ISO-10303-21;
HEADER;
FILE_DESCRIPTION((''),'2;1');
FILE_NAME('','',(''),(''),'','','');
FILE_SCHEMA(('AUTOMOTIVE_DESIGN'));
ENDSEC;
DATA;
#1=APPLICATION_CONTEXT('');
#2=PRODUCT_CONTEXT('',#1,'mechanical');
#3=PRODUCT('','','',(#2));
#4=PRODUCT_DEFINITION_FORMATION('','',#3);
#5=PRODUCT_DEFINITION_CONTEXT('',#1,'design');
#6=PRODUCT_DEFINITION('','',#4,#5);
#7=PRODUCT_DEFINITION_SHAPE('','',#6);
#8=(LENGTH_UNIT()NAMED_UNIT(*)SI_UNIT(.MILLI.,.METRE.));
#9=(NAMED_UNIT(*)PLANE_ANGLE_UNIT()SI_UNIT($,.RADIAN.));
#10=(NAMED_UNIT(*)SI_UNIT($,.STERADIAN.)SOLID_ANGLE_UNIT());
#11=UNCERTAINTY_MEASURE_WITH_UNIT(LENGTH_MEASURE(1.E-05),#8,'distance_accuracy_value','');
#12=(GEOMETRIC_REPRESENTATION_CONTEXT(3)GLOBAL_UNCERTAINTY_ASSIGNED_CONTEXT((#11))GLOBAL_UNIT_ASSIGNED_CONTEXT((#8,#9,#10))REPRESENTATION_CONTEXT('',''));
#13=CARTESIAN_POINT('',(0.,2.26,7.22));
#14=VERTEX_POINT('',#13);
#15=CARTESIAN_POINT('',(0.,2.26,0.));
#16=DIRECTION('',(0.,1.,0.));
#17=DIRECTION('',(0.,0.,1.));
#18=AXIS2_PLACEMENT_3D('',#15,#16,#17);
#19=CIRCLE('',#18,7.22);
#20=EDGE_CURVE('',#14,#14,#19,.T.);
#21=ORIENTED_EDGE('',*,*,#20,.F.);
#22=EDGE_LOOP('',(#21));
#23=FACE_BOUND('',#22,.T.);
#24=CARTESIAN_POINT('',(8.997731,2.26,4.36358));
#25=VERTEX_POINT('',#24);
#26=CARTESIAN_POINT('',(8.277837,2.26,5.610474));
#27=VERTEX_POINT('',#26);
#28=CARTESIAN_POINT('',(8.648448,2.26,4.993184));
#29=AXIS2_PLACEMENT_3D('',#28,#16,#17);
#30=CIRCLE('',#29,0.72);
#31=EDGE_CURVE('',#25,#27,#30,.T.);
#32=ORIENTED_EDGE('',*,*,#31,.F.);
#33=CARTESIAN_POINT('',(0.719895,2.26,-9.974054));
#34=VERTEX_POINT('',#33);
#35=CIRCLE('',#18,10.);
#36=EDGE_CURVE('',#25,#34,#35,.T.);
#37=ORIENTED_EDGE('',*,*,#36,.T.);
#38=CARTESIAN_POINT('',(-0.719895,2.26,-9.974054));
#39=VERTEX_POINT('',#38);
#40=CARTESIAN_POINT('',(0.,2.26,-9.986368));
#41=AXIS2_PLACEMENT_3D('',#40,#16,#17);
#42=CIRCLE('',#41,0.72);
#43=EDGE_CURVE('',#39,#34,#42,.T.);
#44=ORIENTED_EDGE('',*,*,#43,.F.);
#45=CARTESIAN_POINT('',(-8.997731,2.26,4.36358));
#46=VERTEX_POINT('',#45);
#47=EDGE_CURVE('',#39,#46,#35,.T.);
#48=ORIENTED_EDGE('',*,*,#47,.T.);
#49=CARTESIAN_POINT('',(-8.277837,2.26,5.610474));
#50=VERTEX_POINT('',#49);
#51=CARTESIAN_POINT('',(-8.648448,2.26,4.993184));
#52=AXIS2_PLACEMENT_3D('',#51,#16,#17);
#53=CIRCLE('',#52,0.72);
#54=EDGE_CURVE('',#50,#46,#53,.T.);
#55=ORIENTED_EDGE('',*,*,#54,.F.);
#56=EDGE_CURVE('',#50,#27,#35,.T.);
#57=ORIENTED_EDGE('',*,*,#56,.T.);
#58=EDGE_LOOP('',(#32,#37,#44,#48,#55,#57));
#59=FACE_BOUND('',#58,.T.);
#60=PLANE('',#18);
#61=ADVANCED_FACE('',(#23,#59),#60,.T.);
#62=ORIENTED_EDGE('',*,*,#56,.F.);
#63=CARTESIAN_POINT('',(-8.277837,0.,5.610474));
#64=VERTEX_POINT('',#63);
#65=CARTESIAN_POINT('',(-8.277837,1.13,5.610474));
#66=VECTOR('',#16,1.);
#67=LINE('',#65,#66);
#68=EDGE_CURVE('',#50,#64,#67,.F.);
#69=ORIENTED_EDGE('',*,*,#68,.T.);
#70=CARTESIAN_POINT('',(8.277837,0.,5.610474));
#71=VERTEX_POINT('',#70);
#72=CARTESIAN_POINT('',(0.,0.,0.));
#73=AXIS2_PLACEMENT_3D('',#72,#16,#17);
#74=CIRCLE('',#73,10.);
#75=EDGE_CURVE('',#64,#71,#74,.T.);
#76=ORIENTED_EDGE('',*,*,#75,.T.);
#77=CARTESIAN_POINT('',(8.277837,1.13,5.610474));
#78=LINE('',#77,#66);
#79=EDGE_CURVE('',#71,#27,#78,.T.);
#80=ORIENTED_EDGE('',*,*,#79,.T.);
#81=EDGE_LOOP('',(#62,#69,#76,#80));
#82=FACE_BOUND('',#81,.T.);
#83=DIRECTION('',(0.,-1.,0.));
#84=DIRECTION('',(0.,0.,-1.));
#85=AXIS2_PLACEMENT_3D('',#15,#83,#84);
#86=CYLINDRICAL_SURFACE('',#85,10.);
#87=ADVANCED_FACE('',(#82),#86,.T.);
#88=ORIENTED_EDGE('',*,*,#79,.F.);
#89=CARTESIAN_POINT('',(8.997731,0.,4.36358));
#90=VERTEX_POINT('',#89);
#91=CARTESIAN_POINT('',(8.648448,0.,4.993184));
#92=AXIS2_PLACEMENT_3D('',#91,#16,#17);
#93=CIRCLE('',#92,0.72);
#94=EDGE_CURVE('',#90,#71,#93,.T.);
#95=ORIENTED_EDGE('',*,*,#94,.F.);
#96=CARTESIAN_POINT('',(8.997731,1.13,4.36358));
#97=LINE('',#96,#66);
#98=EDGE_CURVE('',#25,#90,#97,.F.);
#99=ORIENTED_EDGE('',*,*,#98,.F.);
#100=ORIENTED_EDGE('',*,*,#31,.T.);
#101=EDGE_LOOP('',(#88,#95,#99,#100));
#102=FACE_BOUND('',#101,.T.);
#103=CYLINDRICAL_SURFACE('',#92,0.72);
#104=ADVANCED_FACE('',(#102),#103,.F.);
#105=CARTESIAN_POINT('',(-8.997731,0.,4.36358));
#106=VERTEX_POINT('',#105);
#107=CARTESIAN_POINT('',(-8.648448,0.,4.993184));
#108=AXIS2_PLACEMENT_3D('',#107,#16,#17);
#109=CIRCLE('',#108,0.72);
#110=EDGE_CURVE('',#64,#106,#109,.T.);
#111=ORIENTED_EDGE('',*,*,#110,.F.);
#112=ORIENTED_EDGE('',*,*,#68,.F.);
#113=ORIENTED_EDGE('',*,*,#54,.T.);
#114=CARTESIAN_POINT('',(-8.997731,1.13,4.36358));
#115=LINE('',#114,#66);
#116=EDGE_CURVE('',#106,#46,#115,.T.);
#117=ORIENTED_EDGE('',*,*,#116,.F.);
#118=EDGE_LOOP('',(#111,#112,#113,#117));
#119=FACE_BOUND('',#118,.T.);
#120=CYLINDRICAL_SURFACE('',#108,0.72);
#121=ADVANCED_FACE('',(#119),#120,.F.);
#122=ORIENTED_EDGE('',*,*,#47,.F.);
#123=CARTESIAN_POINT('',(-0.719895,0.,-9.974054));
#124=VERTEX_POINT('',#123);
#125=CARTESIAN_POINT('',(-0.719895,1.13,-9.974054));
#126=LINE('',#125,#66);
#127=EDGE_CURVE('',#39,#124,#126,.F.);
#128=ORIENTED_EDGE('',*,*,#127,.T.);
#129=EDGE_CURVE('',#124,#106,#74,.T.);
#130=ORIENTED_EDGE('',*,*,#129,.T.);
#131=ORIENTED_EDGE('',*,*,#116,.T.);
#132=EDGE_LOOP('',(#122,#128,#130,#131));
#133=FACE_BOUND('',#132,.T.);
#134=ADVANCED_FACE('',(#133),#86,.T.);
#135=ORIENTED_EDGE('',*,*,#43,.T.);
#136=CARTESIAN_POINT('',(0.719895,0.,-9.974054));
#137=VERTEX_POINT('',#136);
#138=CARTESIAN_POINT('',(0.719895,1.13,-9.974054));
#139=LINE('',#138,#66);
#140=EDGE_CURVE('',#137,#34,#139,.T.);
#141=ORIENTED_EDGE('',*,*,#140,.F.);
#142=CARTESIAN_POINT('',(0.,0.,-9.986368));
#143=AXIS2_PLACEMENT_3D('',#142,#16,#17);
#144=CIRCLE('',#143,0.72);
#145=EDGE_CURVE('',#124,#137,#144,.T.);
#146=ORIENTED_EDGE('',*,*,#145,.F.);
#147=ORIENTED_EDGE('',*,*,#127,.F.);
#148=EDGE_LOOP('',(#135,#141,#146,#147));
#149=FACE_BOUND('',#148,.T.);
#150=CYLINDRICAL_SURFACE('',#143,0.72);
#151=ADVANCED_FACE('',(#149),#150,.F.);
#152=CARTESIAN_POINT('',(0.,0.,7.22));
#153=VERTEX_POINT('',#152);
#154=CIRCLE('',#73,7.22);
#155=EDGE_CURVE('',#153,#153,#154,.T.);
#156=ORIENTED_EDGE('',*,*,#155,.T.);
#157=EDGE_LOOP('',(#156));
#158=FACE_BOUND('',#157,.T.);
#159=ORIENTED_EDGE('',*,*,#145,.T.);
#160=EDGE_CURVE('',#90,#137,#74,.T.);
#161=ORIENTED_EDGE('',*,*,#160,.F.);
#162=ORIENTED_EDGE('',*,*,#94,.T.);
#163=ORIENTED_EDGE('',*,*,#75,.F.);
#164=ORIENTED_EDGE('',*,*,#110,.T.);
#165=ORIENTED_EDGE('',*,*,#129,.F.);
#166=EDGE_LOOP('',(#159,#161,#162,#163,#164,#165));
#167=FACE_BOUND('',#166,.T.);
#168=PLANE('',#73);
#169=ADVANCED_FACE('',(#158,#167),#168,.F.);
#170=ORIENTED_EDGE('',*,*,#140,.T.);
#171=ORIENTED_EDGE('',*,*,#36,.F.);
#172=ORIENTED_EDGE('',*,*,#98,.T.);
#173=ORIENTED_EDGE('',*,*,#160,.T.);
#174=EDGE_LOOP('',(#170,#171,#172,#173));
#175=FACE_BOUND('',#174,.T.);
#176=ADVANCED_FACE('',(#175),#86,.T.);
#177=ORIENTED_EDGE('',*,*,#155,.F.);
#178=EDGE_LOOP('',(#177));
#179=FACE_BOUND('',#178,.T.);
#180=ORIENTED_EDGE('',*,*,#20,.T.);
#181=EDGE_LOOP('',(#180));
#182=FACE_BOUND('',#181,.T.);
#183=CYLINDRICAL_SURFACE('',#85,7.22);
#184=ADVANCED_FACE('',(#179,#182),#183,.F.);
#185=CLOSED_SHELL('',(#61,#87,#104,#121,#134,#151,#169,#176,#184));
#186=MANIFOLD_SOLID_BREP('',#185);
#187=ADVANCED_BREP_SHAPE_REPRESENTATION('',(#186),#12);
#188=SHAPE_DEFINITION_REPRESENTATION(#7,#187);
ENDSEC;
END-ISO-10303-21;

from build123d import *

# Parameters (mm, degrees)
SKETCH1_R           = 10
SKETCH1_R_2         = 7.22
BOSS_EXTRUDE1_DEPTH = 2.26
SKETCH2_R           = 0.72
CUT_EXTRUDE1_DEPTH  = 15.321578125


with BuildPart() as part:
    # Sketch1 → Boss-Extrude1 (new body)
    with BuildSketch(Plane(origin=(0, 0, 0), x_dir=(1, 0, 0), z_dir=(0, 1, 0))):
        with Locations(Location((0, 0, 0), (0, 0, 270))):
            Circle(SKETCH1_R)
        with Locations(Location((0, 0, 0), (0, 0, 270))):
            Circle(SKETCH1_R_2, mode=Mode.SUBTRACT)
    extrude(amount=BOSS_EXTRUDE1_DEPTH)

    # Sketch2 → Cut-Extrude1 (cut, through all)
    with BuildSketch(Plane(origin=(0, 2.26, 0), x_dir=(1, 0, 0), z_dir=(0, 1, 0))):
        with Locations((8.648447977, -4.993183768)):
            Circle(SKETCH2_R)
        with Locations((0, 9.986367535)):
            Circle(SKETCH2_R)
        with Locations((-8.648447977, -4.993183768)):
            Circle(SKETCH2_R)
    extrude(amount=-CUT_EXTRUDE1_DEPTH, mode=Mode.SUBTRACT)


solid = part.part
